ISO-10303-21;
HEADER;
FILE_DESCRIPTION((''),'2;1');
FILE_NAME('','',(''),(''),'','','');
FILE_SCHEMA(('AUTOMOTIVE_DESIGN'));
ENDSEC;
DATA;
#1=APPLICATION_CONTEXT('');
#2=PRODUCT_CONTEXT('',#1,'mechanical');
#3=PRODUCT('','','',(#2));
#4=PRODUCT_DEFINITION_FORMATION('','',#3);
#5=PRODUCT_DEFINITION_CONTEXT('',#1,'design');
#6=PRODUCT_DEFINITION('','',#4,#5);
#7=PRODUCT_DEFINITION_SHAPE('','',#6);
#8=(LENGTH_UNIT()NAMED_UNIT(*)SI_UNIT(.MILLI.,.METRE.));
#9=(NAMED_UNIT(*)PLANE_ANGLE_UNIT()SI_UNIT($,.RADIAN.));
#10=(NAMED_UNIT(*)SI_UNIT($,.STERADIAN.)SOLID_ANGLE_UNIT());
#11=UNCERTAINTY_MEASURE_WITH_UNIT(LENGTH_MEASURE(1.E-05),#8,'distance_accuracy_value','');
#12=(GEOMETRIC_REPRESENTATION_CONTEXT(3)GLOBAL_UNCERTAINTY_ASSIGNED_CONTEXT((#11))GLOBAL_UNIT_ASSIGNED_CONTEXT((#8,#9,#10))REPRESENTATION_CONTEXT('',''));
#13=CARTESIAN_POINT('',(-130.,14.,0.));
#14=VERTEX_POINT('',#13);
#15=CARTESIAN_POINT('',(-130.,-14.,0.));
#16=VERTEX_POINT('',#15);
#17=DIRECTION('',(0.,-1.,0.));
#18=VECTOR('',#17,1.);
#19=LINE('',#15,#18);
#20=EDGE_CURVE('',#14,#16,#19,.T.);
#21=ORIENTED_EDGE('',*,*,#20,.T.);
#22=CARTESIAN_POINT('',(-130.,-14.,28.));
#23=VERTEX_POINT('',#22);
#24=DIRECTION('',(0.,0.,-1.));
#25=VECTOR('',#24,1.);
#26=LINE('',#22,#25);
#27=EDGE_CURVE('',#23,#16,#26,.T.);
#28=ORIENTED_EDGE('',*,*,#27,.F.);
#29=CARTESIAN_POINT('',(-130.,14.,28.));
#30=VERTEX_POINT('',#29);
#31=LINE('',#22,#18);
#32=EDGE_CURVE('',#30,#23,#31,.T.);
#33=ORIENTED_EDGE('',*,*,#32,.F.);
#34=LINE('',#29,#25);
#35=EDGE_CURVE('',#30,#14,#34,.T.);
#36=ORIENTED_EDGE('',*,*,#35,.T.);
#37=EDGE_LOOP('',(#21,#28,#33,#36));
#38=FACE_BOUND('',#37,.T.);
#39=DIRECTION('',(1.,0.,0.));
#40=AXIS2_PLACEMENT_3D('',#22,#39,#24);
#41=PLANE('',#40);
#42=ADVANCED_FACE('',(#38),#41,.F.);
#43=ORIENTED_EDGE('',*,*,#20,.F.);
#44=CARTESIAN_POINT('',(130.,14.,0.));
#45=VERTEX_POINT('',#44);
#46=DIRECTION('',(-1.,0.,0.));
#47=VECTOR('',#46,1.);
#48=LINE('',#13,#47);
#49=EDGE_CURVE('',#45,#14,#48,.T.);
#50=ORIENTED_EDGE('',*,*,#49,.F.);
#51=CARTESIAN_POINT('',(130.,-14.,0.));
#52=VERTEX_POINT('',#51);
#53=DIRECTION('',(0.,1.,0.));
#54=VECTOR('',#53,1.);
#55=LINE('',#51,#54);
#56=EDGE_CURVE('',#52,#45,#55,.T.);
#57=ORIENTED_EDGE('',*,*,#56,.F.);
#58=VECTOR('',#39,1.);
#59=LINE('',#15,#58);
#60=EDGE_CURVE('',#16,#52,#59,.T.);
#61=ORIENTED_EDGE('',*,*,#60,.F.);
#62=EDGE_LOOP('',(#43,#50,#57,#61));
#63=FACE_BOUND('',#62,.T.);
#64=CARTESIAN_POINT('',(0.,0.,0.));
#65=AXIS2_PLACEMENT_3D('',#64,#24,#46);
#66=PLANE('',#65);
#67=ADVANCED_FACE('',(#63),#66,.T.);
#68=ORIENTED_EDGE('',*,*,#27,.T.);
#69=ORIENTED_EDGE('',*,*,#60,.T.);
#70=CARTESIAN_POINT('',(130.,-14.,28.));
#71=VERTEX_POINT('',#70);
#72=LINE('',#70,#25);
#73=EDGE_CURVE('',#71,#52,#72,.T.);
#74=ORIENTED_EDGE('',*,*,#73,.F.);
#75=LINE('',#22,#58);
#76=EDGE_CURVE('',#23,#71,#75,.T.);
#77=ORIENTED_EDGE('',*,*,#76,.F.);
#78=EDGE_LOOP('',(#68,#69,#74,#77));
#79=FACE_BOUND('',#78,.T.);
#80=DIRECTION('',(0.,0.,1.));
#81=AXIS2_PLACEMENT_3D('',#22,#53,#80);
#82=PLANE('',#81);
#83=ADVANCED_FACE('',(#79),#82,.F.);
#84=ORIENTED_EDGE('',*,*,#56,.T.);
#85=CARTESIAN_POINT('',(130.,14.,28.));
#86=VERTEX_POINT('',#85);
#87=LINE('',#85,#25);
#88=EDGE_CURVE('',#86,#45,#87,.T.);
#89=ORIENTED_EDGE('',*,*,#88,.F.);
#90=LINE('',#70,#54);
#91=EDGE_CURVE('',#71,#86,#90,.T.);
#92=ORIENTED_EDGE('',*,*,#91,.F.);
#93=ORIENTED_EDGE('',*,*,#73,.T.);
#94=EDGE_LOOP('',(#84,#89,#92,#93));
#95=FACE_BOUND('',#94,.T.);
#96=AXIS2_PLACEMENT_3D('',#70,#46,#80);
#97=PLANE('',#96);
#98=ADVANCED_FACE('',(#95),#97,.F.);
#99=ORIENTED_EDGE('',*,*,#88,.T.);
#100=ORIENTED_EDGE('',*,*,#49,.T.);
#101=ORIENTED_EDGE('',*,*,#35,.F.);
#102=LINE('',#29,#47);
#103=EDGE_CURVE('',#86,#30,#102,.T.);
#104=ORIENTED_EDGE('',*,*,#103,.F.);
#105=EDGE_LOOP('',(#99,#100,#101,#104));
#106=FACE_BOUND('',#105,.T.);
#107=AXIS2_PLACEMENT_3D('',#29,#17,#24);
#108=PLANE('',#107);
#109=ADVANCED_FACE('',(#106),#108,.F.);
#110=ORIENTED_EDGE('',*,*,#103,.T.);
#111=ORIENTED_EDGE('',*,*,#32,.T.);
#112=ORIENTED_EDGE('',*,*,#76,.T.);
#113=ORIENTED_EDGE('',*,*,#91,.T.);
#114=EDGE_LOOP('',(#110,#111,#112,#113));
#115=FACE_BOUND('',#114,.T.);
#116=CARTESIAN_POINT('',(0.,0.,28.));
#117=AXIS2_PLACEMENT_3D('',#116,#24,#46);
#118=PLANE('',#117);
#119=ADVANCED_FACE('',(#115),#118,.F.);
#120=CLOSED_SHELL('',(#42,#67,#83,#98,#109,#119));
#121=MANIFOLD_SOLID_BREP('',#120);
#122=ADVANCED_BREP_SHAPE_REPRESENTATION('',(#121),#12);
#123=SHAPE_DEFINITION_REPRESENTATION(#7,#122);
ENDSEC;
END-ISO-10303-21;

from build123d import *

# Parameters (mm, degrees)
SKETCH_1_W      = 260
SKETCH_1_H      = 28
EXTRUDE_1_DEPTH = 28


with BuildPart() as part:
    # 草图1 → 凸台-拉伸1 (new body)
    with BuildSketch(Plane.XY):
        Rectangle(SKETCH_1_W, SKETCH_1_H)
    extrude(amount=EXTRUDE_1_DEPTH)


solid = part.part
